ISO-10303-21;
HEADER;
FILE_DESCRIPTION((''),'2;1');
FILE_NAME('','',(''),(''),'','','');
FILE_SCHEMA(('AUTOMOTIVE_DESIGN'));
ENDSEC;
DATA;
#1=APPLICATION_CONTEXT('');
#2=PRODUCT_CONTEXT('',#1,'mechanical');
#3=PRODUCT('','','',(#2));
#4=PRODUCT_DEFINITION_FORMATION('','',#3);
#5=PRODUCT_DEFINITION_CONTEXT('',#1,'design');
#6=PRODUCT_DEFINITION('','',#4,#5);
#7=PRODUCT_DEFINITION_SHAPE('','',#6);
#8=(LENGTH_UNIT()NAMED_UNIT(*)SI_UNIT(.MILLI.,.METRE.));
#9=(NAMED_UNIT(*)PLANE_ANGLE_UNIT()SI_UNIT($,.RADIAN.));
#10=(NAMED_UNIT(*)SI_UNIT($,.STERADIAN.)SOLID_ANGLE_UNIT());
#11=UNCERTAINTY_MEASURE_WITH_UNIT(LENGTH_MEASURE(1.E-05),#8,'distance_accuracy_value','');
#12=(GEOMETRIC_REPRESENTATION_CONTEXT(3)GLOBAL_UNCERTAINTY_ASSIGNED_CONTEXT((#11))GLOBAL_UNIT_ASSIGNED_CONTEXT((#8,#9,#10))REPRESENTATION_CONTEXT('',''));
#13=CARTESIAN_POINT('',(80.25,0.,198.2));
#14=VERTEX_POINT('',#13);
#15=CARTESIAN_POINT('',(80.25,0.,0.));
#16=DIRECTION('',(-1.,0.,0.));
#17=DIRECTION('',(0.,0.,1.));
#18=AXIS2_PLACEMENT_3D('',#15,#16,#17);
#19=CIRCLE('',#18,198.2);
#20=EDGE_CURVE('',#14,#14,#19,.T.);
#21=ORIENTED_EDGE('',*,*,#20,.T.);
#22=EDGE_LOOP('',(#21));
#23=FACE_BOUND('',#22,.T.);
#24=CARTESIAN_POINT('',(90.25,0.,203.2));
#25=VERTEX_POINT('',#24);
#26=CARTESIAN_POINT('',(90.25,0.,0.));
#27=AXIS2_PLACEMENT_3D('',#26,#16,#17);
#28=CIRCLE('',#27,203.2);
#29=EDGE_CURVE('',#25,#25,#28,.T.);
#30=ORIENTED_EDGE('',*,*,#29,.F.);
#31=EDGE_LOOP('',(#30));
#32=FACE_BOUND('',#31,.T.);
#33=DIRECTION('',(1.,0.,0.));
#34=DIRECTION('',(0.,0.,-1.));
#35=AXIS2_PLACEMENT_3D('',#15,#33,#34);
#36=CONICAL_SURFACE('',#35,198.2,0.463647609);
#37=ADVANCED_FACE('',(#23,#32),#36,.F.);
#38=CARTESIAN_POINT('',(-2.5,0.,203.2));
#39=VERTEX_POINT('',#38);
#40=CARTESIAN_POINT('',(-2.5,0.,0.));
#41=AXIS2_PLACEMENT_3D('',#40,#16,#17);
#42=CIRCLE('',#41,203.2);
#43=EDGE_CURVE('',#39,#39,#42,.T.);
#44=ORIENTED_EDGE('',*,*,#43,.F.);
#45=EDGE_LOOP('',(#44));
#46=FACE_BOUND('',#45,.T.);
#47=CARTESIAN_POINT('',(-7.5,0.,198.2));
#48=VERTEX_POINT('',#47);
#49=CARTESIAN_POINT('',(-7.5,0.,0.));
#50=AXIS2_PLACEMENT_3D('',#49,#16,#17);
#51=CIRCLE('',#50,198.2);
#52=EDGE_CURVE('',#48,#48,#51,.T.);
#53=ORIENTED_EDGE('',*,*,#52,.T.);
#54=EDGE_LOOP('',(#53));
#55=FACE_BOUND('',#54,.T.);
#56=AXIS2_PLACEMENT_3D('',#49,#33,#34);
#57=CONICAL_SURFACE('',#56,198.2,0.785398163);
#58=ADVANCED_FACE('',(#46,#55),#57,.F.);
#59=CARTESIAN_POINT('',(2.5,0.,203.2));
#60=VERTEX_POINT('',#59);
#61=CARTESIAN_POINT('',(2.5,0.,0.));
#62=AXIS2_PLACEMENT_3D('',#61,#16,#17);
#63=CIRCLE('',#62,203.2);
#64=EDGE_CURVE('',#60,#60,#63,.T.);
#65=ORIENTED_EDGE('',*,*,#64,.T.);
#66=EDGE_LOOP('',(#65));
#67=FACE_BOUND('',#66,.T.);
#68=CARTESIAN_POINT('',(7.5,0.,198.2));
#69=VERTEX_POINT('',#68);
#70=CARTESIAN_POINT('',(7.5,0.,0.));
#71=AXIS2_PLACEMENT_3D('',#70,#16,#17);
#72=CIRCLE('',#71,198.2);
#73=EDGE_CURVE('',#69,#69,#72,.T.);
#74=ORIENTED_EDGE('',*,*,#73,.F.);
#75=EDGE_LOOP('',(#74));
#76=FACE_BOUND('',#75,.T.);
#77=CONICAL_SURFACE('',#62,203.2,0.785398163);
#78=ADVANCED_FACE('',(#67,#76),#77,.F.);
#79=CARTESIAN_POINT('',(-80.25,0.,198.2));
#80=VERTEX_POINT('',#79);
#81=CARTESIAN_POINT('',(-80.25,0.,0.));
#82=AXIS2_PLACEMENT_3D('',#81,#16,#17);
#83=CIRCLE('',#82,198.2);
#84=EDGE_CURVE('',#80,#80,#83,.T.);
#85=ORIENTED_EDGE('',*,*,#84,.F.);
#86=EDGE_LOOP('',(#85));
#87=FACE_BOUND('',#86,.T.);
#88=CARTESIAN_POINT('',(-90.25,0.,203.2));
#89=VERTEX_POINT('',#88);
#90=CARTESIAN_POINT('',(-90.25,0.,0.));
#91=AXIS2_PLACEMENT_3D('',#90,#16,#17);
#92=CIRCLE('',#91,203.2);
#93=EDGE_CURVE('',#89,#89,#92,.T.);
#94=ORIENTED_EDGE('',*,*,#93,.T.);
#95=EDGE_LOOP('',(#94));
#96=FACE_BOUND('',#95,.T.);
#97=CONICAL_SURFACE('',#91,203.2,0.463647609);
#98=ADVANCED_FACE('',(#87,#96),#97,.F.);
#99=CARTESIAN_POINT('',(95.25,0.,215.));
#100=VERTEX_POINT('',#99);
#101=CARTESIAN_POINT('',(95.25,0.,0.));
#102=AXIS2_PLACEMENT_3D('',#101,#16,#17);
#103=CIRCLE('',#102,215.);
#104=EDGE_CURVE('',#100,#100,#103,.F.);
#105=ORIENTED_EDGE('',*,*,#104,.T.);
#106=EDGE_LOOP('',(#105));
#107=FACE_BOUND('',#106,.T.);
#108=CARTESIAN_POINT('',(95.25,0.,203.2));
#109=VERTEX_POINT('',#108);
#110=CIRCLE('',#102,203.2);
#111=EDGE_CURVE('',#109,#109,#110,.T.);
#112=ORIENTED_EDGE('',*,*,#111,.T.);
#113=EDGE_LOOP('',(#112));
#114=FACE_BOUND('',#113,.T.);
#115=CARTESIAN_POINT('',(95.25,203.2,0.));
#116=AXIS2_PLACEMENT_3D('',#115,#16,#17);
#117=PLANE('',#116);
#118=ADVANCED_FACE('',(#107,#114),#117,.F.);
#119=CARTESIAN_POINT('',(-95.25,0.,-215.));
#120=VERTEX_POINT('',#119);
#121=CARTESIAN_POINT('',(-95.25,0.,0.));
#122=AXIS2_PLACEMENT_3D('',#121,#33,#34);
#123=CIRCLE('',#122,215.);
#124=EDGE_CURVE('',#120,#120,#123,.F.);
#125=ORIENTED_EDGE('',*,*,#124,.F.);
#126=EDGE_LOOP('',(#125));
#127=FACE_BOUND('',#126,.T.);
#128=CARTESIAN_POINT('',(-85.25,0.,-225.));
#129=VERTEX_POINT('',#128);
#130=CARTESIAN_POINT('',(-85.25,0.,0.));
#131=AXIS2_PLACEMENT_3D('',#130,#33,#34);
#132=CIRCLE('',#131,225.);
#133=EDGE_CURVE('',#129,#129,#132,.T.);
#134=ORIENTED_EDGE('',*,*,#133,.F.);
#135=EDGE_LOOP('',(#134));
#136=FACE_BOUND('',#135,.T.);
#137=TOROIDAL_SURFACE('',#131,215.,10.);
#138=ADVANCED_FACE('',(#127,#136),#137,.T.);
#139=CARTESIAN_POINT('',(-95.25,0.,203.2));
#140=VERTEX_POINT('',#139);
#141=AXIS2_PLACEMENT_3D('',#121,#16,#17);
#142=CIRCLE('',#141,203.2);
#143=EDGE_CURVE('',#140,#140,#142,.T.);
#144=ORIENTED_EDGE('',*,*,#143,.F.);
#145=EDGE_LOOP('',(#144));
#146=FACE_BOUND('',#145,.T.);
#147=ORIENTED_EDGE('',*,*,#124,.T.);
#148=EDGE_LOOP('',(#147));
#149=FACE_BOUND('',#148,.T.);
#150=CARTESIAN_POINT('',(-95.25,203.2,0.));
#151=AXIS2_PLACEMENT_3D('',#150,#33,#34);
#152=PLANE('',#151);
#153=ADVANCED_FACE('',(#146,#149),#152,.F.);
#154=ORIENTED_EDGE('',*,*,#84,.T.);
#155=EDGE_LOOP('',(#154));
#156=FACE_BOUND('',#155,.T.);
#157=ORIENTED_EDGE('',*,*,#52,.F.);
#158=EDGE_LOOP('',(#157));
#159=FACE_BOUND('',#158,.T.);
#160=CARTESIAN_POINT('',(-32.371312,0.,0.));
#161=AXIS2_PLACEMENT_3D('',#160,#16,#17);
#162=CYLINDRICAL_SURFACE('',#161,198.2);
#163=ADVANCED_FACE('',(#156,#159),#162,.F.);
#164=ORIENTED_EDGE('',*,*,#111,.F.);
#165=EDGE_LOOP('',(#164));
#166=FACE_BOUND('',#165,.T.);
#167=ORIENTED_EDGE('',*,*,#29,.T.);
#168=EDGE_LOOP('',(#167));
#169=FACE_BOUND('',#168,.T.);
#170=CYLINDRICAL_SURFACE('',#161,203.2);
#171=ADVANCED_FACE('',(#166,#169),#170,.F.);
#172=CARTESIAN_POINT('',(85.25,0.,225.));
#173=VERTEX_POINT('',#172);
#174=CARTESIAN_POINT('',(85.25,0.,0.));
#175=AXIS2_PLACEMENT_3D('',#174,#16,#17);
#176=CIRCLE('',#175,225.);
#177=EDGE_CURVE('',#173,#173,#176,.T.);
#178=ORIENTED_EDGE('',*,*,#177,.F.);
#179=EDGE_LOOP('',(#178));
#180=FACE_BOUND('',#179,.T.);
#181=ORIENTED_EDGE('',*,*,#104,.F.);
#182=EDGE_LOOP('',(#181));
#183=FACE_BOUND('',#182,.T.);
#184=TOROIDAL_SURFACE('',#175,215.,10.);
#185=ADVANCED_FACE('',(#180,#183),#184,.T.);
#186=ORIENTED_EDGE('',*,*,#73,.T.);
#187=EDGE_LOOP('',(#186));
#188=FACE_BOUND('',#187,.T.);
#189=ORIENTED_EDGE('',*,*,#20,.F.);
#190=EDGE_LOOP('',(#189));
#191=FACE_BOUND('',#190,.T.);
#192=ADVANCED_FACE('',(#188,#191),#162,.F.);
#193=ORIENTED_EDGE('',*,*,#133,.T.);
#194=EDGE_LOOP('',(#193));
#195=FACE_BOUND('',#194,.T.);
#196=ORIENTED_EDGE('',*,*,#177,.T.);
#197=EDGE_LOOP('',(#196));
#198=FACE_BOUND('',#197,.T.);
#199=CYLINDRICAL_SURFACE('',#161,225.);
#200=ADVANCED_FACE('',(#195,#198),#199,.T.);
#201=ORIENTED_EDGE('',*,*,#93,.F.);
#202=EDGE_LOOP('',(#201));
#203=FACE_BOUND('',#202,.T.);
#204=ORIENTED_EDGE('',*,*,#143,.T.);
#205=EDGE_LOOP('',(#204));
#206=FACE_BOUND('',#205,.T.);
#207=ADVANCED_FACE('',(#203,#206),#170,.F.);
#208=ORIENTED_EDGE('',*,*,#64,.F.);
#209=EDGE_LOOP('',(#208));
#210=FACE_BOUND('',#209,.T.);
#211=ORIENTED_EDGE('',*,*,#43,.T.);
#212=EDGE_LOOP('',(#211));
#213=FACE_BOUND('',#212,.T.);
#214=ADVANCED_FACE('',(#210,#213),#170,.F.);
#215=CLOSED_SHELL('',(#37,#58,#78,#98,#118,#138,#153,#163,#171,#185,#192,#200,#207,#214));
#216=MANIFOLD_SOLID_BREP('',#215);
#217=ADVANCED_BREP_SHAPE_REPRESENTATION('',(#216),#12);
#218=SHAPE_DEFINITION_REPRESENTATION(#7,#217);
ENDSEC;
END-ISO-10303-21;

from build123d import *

# Parameters (mm, degrees)
FILLET1_R = 10


with BuildPart() as part:
    # Sketch1 → Revolve1 (revolve)
    with BuildSketch(Plane.XY, mode=Mode.PRIVATE) as revolve1_sk:
        Polygon((-7.5, 198.2), (-80.25, 198.2), (-90.25, 203.2), (-95.25, 203.2), (-95.25, 225), (95.25, 225), (95.25, 203.2), (90.25, 203.2), (80.25, 198.2), (7.5, 198.2), (2.5, 203.2), (-2.5, 203.2), align=None)
    revolve(revolve1_sk.sketch.rotate(Axis((-32.371311761, 0, 0), (1, 0, 0)), 90), axis=Axis((-32.371311761, 0, 0), (1, 0, 0)))

    # Fillet1
    fillet1_edges = [part.edges().sort_by_distance(p)[0] for p in [
        (-95.25, 0, -225),
        (95.25, 0, -225),
    ]]
    fillet(fillet1_edges, radius=FILLET1_R)


solid = part.part
